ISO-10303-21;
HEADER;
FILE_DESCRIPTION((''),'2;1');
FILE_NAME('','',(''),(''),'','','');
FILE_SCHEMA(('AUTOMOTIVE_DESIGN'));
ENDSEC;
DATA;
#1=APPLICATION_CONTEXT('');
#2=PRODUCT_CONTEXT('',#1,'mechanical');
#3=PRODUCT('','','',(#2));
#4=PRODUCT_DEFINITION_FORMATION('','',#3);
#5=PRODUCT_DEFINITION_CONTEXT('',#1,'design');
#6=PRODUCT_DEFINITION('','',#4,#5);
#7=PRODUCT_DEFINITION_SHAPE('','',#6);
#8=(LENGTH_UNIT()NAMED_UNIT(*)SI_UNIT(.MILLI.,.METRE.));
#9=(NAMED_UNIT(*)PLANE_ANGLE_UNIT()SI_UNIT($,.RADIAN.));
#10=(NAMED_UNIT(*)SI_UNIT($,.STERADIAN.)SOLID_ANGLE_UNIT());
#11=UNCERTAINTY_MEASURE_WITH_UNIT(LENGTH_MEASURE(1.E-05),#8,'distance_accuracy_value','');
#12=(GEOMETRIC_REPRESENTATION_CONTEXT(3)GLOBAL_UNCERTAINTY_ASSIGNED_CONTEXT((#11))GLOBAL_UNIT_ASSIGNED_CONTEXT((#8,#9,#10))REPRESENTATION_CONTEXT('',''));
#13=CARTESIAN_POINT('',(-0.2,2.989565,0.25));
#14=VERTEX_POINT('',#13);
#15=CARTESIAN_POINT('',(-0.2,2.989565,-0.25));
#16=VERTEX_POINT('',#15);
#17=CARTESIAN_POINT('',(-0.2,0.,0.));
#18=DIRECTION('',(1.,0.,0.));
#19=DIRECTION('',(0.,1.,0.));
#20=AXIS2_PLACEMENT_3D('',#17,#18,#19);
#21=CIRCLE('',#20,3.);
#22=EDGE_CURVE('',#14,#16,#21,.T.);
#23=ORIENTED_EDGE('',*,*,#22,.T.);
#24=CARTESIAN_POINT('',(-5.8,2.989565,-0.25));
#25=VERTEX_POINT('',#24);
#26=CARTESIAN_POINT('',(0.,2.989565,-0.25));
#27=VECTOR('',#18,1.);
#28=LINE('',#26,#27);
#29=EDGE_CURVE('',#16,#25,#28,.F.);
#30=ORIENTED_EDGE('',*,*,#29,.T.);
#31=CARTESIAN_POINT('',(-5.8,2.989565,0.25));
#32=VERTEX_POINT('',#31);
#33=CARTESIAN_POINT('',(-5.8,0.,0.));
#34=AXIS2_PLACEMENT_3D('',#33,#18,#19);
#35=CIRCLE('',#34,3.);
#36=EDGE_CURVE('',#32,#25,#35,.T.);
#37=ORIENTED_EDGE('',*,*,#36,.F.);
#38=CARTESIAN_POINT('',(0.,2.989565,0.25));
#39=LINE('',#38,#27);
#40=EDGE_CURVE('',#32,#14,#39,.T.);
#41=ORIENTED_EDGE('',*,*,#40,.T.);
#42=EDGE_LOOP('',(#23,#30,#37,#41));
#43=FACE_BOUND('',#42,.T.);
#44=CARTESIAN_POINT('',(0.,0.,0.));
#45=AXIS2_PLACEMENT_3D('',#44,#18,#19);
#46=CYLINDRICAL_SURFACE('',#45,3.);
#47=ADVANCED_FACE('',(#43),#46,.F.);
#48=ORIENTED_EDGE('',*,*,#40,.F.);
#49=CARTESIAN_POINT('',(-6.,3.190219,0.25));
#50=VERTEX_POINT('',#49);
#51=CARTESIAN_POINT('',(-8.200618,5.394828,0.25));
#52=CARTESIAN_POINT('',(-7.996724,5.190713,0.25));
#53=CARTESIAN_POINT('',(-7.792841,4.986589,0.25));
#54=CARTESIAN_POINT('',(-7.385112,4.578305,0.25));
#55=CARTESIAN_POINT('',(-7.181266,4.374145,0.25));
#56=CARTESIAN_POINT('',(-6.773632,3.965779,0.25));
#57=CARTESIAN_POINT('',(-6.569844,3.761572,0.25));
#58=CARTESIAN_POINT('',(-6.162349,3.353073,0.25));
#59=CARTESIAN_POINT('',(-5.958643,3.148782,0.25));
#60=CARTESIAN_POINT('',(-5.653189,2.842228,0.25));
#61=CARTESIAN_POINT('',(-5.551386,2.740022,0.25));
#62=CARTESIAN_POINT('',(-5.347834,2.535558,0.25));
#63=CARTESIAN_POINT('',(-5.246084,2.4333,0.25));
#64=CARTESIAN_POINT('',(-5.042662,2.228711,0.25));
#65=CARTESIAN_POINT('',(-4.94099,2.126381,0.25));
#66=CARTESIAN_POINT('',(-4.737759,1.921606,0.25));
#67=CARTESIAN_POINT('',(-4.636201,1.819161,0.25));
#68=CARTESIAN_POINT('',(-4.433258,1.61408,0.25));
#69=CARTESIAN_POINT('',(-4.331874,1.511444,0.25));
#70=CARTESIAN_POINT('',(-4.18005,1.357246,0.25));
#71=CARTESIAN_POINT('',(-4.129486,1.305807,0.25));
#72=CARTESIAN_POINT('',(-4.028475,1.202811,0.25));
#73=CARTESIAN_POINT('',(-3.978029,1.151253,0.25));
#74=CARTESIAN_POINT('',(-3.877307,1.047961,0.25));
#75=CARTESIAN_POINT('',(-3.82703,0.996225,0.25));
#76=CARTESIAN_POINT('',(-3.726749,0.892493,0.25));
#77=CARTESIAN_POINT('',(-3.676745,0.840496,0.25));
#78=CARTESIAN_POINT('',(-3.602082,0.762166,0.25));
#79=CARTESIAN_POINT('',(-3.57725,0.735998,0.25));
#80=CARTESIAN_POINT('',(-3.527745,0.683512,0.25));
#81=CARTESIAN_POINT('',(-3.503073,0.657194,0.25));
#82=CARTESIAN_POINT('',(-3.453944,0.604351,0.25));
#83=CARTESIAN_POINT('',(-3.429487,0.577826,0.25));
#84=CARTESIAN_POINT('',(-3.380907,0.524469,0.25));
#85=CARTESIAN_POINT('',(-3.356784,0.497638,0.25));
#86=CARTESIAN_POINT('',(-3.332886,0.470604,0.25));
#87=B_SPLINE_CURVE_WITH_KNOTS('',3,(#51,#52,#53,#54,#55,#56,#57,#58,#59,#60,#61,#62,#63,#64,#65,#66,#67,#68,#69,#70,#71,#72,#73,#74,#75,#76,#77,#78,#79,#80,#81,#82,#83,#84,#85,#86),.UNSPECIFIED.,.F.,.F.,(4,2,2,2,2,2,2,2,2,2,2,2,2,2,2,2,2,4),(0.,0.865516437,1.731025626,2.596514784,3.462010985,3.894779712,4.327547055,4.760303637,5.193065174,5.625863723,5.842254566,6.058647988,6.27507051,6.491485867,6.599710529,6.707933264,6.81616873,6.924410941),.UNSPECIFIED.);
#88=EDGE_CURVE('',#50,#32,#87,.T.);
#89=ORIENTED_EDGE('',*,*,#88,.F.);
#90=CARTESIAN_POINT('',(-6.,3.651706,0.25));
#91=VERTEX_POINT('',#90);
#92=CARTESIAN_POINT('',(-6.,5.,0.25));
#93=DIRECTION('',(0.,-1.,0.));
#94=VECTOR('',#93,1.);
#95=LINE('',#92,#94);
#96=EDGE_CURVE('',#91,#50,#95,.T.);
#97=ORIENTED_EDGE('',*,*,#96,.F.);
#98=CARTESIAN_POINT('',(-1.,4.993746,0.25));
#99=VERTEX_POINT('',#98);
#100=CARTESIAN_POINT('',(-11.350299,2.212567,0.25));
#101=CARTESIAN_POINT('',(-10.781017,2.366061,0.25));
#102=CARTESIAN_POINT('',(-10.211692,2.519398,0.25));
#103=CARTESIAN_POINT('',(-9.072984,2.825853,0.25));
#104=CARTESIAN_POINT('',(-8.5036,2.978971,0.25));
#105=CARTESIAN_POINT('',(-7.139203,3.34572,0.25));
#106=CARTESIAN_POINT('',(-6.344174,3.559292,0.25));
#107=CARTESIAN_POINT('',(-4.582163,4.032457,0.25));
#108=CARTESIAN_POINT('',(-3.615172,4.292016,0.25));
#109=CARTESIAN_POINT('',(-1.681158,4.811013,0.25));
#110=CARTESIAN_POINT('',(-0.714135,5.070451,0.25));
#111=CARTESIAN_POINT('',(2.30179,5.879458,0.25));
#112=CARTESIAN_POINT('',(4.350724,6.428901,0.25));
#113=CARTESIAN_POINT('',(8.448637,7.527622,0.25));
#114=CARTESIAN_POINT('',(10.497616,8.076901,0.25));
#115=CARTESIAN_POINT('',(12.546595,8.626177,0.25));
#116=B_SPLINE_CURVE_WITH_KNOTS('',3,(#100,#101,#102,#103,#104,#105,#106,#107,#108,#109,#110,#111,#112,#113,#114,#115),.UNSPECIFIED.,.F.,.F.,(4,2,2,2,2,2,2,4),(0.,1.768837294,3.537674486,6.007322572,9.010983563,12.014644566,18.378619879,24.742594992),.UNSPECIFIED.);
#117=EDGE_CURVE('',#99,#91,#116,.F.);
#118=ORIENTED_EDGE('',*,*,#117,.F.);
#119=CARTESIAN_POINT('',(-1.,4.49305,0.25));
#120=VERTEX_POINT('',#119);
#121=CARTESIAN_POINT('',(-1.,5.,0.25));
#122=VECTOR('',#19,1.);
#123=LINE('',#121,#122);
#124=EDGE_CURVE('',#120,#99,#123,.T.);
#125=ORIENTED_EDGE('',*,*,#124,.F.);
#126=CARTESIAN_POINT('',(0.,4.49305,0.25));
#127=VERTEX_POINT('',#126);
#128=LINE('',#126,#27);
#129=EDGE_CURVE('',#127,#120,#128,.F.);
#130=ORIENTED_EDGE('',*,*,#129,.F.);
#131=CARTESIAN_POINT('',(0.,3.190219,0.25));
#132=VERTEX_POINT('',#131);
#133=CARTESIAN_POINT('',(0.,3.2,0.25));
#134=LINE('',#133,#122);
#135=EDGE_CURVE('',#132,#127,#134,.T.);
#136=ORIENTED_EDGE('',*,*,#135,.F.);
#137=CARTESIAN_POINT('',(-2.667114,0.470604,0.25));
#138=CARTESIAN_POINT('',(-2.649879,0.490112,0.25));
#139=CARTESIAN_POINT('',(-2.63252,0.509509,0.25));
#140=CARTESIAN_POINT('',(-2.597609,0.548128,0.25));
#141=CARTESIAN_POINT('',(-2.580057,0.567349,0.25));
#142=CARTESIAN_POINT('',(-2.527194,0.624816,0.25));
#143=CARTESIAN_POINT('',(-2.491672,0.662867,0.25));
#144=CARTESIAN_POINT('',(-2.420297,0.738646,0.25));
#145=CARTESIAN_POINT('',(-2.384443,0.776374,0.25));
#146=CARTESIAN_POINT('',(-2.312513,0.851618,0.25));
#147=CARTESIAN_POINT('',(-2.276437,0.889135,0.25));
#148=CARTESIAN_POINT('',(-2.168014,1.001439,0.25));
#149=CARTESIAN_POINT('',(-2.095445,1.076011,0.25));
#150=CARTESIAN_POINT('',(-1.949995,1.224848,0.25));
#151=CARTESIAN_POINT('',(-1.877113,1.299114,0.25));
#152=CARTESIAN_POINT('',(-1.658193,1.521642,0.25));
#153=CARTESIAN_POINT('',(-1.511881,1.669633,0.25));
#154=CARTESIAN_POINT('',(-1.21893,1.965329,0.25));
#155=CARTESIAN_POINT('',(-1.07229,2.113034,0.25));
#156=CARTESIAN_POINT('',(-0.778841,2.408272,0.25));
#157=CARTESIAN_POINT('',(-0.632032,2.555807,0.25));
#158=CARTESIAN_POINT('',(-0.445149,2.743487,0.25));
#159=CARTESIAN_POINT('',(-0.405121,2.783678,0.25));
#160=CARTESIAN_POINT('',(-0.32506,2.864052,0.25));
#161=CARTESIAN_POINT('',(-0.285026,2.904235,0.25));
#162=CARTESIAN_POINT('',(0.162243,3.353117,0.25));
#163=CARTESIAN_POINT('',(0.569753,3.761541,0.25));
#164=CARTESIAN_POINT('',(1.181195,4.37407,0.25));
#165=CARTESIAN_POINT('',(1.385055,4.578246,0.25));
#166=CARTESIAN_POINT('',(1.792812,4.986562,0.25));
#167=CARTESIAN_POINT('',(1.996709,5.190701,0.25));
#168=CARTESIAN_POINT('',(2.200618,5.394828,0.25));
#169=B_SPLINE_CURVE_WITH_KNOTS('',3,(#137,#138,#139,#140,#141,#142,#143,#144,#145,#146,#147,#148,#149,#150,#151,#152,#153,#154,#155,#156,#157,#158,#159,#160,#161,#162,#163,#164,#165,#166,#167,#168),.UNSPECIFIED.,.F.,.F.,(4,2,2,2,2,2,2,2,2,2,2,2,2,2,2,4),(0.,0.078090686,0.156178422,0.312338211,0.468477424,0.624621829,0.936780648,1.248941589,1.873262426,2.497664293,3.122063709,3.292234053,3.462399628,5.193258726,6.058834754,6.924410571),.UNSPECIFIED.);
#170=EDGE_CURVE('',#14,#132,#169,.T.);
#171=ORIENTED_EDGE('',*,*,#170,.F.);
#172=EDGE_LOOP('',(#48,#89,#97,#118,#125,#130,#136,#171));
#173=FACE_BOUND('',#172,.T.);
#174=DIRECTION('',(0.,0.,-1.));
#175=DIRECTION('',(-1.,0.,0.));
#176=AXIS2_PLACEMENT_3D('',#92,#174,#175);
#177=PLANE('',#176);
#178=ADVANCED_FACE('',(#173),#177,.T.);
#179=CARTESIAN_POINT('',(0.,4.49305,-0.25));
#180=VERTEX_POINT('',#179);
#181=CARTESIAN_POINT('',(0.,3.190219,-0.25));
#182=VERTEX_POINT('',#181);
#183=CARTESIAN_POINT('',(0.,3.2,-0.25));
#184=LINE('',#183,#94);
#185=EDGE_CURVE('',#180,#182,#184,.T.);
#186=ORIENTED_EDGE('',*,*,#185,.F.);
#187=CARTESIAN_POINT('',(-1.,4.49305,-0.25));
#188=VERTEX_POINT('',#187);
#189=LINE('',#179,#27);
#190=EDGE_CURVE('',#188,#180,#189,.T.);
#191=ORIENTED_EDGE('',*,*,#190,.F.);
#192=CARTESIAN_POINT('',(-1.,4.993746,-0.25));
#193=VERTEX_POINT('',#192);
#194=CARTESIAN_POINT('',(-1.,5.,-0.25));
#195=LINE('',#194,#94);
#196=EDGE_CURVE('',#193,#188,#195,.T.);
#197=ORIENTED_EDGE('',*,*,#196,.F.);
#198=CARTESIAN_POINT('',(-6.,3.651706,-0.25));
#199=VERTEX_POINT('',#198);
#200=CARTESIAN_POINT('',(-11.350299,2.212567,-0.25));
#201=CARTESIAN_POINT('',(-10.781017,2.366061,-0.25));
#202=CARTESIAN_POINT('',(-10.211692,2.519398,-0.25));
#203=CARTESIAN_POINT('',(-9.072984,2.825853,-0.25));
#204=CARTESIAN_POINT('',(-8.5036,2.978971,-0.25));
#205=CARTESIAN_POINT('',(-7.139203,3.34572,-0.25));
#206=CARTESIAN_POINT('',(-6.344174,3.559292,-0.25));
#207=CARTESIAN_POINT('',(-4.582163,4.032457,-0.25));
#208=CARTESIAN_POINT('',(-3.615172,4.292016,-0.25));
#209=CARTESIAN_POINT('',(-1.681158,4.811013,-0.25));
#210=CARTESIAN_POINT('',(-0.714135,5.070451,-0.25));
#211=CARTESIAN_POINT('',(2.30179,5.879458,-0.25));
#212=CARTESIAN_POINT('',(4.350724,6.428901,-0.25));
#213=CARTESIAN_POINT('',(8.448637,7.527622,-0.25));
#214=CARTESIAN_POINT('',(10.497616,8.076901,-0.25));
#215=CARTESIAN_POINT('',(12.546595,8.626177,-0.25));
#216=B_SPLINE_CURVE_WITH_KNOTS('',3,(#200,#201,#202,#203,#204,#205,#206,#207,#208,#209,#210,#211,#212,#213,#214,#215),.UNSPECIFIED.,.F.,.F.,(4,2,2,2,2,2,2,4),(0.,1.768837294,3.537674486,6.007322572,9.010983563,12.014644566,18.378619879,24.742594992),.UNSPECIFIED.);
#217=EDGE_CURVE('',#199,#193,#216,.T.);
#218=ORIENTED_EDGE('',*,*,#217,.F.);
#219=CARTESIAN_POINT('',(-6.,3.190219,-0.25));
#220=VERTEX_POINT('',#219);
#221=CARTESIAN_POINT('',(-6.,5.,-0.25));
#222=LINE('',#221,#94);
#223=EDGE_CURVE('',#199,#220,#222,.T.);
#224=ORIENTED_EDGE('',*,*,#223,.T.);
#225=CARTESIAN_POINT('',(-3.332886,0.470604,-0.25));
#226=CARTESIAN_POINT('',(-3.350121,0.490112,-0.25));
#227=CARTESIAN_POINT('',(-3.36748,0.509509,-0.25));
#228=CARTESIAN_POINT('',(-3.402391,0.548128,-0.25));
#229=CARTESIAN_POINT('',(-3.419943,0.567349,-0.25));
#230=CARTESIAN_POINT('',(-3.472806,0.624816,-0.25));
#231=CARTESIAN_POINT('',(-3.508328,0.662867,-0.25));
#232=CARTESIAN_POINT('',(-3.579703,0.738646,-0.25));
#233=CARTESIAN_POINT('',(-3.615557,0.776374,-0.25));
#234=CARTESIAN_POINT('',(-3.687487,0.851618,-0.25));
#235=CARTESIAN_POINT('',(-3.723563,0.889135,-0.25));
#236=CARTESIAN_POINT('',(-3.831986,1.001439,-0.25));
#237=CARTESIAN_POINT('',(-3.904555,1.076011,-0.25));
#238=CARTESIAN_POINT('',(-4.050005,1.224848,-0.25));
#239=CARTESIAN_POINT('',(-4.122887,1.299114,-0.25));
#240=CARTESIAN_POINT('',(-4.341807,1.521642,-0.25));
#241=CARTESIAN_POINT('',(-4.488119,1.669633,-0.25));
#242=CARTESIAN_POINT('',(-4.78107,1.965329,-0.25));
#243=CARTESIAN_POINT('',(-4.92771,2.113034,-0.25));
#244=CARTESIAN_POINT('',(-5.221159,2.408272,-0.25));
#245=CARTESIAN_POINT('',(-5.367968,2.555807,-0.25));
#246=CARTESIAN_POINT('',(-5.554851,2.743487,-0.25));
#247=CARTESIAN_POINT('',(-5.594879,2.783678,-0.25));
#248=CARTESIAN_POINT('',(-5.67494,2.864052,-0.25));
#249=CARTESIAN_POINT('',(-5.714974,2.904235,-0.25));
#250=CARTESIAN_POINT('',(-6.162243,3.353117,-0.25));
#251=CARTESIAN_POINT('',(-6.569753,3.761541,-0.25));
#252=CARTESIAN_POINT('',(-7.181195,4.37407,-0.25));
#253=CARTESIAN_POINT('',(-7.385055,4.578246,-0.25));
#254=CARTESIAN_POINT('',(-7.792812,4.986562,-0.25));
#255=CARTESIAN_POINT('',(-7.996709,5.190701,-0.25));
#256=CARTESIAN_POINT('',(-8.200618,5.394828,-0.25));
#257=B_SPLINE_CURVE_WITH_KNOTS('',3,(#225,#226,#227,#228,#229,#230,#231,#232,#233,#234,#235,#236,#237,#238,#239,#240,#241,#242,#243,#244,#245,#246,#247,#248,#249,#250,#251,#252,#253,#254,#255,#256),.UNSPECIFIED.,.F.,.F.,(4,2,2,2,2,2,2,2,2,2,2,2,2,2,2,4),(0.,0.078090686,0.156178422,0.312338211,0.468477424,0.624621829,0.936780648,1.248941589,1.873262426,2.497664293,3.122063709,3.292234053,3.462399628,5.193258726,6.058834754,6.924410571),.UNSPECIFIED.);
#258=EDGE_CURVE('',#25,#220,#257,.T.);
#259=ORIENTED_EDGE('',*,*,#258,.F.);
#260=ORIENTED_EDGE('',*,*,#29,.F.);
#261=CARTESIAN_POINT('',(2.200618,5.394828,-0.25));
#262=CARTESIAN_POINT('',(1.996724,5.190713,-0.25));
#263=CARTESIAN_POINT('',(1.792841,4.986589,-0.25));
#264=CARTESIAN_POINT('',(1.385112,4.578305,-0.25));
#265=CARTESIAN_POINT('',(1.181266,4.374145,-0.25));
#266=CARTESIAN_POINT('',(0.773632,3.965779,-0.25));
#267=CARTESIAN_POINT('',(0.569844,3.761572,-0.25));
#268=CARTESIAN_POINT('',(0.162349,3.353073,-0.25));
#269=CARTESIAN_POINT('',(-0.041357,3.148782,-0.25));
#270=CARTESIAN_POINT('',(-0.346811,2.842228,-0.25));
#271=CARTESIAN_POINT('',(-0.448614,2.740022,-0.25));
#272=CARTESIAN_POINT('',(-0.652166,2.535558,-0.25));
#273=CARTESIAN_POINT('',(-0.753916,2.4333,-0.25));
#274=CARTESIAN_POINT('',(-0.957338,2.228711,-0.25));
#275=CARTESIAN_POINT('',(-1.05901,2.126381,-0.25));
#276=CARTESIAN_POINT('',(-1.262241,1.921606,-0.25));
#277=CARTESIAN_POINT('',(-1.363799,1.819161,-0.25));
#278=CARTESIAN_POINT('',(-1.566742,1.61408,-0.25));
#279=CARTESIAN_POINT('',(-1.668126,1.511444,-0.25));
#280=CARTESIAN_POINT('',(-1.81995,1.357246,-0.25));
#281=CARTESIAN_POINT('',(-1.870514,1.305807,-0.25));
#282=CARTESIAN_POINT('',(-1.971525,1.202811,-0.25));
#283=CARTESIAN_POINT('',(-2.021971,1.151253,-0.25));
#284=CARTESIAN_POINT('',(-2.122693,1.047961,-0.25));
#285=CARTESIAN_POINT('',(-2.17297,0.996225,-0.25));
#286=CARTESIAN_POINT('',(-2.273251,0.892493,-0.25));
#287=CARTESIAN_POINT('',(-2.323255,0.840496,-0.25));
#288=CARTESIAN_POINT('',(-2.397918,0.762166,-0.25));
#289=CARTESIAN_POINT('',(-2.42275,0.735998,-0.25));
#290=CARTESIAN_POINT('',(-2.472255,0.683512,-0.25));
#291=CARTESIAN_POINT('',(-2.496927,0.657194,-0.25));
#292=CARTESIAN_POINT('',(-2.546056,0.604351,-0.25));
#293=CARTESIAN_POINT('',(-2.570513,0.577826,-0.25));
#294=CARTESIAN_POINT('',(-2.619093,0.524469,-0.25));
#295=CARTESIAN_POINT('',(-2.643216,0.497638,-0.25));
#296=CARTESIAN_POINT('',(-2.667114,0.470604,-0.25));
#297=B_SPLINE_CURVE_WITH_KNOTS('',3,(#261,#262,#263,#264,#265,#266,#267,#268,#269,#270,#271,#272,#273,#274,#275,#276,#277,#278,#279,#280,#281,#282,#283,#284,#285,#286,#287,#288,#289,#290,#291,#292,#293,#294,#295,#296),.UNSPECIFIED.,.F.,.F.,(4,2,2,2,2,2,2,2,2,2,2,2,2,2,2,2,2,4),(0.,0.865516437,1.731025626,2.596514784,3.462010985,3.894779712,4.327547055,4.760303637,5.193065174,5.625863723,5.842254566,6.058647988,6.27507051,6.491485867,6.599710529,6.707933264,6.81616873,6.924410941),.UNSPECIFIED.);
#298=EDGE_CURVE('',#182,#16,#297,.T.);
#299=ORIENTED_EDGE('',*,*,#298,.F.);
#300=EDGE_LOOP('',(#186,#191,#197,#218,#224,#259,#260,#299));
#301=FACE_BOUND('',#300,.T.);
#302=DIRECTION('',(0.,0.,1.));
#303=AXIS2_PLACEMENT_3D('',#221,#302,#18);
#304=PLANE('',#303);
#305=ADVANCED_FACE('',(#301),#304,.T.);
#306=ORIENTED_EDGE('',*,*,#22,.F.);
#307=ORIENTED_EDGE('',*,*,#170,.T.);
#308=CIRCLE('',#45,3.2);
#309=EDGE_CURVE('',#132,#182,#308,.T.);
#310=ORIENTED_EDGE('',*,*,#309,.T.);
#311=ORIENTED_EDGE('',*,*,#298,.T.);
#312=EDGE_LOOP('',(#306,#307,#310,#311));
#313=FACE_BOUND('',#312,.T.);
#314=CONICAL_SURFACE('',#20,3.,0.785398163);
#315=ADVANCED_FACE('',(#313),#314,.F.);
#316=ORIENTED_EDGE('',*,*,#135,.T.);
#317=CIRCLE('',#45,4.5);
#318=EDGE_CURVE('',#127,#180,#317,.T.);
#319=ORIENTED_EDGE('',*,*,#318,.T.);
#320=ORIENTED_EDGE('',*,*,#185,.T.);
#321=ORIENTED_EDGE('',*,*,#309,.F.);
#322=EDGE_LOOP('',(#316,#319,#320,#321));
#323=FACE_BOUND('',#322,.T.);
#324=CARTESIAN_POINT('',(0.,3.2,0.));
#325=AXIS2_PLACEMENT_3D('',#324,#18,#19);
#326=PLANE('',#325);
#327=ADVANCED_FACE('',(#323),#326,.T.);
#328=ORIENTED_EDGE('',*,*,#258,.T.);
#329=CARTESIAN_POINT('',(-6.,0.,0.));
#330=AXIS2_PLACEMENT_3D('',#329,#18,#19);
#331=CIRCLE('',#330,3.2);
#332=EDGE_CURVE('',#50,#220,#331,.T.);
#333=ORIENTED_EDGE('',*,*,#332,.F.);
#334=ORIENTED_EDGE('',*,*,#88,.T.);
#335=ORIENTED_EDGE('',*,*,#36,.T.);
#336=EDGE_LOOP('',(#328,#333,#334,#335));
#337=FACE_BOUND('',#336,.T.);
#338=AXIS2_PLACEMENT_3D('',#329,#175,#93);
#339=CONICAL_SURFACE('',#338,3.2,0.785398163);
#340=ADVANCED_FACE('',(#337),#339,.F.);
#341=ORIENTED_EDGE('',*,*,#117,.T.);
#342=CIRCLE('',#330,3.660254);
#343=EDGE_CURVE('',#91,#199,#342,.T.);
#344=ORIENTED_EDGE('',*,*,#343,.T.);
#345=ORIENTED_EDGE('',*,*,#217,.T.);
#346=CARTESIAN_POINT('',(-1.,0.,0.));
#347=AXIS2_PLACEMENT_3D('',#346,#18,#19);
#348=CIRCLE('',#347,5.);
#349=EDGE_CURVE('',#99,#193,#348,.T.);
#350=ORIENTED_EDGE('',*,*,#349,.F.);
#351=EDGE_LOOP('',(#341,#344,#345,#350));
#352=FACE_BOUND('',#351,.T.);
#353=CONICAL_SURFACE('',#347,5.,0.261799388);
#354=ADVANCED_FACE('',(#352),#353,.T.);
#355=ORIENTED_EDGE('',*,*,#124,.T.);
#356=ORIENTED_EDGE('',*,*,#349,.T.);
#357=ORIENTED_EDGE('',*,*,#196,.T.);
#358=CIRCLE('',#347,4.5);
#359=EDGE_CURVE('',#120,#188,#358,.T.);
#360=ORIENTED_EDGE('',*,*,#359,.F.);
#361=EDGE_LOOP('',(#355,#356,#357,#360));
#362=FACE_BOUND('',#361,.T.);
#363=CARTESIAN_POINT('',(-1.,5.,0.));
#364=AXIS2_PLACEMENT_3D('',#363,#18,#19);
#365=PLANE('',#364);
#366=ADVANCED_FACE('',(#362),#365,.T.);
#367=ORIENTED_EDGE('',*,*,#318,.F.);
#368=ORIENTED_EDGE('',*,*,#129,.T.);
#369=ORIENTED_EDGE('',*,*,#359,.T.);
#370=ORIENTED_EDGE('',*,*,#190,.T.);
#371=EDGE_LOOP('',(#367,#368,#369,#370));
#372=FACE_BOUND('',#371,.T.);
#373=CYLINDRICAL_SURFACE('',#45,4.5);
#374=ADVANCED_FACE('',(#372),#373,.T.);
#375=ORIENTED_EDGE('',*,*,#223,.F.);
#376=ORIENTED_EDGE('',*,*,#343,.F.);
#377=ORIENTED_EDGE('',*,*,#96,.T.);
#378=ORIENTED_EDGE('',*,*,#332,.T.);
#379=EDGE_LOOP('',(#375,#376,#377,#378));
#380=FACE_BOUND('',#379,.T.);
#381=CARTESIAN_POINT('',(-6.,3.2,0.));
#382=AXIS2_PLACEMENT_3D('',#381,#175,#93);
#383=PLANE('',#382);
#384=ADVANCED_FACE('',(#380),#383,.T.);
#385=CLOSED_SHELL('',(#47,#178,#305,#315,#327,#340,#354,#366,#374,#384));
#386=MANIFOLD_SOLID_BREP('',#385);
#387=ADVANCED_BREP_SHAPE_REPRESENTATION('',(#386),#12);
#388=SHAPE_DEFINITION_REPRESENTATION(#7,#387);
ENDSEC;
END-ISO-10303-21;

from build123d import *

# Parameters (mm, degrees)
SKETCH2_W          = 6
SKETCH2_H          = 0.5
CUT_EXTRUDE1_DEPTH = 6


with BuildPart() as part:
    # Sketch1 → Revolve1 (revolve)
    with BuildSketch(Plane.XY):
        Polygon((-5.8, 3), (-0.2, 3), (0, 3.2), (0, 4.5), (-1, 4.5), (-1, 5), (-6, 3.660254038), (-6, 3.2), align=None)
    revolve(axis=Axis((0, 0, 0), (-1, 0, 0)))

    # Sketch2 → Cut-Extrude1 (cut, through all)
    with BuildSketch(Plane(origin=(0, 0, 0), x_dir=(1, 0, 0), z_dir=(0, 1, 0))):
        with Locations((-3, 0)):
            Rectangle(SKETCH2_W, SKETCH2_H)
    extrude(amount=CUT_EXTRUDE1_DEPTH, mode=Mode.SUBTRACT)


solid = part.part
